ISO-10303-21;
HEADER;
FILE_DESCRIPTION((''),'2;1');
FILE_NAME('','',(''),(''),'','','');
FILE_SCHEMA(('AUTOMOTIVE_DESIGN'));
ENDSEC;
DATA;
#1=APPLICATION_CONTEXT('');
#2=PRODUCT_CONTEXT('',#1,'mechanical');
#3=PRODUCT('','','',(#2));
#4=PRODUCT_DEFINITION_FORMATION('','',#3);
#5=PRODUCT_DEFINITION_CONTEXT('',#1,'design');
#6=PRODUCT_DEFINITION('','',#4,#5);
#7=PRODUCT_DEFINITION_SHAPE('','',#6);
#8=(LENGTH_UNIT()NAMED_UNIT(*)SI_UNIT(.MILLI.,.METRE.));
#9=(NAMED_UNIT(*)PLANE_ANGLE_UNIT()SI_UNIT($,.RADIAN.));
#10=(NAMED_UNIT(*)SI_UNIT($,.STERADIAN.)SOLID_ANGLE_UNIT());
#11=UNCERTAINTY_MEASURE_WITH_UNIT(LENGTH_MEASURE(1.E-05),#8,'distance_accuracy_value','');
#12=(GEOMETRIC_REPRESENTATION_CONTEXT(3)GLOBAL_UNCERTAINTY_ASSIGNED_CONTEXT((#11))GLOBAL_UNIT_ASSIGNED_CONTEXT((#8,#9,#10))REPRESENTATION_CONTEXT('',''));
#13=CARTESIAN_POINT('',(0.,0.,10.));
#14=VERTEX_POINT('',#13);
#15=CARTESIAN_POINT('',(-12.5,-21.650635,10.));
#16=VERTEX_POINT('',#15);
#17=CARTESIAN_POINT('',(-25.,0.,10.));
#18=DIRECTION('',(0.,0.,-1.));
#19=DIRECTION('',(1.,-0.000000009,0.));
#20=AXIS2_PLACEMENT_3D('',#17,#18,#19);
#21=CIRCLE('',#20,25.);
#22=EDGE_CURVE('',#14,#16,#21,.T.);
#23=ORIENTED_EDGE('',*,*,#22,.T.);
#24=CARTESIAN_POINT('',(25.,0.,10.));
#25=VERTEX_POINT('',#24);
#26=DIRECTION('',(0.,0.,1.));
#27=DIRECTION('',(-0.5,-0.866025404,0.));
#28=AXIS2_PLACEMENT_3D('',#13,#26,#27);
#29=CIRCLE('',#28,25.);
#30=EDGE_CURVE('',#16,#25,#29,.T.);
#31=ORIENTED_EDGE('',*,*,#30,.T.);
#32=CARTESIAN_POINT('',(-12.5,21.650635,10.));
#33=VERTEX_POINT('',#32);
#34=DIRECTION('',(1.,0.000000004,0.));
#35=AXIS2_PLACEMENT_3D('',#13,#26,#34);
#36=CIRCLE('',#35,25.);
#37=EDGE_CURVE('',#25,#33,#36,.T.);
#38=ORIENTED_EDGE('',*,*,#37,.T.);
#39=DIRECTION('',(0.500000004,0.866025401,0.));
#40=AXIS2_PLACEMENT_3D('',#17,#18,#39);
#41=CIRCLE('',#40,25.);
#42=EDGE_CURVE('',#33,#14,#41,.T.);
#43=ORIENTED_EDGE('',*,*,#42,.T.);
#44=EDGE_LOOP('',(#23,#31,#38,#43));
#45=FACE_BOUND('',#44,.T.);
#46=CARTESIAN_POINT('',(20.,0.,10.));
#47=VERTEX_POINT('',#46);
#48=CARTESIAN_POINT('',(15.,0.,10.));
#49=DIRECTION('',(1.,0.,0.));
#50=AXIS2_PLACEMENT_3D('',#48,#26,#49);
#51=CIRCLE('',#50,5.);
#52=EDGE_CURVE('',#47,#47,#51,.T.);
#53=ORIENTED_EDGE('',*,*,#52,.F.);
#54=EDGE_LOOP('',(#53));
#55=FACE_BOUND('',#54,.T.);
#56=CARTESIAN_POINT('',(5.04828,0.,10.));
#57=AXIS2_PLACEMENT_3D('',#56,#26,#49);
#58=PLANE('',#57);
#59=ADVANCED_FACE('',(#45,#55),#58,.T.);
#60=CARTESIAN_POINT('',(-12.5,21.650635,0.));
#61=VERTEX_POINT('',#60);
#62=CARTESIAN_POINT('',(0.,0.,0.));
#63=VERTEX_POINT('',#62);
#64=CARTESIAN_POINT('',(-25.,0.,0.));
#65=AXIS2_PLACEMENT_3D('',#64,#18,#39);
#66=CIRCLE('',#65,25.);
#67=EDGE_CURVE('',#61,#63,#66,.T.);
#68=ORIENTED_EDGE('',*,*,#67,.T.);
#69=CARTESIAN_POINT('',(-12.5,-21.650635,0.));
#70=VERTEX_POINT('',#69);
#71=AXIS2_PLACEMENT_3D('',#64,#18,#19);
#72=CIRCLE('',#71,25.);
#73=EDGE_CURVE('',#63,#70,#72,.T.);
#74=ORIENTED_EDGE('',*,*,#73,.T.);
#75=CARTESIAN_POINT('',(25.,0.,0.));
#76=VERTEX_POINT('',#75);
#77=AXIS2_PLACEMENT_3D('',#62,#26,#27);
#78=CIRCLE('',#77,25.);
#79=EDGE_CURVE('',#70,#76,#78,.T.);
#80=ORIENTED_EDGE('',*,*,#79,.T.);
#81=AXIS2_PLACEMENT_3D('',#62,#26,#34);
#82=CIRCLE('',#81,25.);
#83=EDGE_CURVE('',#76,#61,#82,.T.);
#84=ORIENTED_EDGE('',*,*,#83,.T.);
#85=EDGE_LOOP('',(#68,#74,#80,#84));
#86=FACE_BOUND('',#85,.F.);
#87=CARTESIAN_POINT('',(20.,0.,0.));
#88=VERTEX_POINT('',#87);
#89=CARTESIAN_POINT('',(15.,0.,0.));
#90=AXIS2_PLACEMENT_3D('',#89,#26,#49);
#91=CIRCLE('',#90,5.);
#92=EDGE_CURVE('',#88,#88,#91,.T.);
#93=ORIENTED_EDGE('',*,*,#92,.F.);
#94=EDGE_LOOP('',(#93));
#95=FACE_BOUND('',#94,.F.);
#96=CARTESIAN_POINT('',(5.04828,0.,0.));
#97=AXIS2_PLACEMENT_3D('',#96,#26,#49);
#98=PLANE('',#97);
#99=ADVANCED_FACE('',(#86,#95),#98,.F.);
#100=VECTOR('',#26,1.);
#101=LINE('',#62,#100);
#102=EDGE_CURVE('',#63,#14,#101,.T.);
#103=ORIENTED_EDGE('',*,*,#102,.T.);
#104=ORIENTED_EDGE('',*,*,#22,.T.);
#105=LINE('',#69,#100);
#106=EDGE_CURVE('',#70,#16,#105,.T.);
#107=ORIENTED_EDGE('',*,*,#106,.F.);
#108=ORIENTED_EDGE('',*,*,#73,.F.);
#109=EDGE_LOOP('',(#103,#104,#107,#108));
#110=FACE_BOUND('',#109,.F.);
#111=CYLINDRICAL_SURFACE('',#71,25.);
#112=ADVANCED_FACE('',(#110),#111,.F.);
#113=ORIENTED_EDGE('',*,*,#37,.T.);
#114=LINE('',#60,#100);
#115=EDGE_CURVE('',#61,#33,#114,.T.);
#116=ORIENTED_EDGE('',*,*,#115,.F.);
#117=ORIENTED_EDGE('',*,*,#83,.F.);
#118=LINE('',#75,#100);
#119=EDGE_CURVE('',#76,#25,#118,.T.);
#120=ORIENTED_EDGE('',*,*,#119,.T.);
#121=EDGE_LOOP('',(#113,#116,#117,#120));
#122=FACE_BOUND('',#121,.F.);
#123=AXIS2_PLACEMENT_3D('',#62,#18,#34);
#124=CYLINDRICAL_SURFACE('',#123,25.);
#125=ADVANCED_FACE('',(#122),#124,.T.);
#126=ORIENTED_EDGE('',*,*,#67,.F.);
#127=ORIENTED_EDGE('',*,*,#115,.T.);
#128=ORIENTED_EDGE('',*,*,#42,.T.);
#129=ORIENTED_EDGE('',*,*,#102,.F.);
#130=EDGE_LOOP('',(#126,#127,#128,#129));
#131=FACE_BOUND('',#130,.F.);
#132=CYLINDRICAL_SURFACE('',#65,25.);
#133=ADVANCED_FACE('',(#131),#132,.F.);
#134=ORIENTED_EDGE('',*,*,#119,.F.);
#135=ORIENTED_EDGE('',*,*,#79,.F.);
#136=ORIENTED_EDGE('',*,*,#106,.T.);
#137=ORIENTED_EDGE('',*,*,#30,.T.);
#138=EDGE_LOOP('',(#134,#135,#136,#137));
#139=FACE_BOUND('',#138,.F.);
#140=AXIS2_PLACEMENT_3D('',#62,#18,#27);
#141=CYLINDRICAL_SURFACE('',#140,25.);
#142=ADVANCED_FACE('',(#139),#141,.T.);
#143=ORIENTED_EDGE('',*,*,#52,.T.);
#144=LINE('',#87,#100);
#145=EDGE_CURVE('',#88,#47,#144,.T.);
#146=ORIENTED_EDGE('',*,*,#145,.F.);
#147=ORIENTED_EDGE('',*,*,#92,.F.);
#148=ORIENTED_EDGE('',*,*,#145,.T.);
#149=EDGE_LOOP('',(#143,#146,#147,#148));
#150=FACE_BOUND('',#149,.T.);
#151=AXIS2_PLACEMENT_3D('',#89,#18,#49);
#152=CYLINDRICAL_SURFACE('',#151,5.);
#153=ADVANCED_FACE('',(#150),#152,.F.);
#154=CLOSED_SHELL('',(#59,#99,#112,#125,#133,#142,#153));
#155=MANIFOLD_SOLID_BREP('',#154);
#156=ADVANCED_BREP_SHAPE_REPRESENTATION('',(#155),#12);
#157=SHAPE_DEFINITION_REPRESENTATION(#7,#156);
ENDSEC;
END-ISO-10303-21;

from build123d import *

# Parameters (mm, degrees)
F0_R     = 5
F1_DEPTH = 10


with BuildPart() as f1:
    # F0 (on Top) → F1 (new body)
    with BuildSketch(Plane.XY):
        with BuildLine():
            ThreePointArc((-12.5, -21.650635), (12.5, -21.650635), (25, 0))
            ThreePointArc((25, 0), (12.5, 21.650635), (-12.5, 21.650635))
            ThreePointArc((-12.5, 21.650635), (-3.349365, 12.5), (0, 0))
            ThreePointArc((0, 0), (-3.349365, -12.5), (-12.5, -21.650635))
        make_face()
        with Locations((15, 0)):
            Circle(F0_R, mode=Mode.SUBTRACT)
    extrude(amount=F1_DEPTH)


solid = f1.part
